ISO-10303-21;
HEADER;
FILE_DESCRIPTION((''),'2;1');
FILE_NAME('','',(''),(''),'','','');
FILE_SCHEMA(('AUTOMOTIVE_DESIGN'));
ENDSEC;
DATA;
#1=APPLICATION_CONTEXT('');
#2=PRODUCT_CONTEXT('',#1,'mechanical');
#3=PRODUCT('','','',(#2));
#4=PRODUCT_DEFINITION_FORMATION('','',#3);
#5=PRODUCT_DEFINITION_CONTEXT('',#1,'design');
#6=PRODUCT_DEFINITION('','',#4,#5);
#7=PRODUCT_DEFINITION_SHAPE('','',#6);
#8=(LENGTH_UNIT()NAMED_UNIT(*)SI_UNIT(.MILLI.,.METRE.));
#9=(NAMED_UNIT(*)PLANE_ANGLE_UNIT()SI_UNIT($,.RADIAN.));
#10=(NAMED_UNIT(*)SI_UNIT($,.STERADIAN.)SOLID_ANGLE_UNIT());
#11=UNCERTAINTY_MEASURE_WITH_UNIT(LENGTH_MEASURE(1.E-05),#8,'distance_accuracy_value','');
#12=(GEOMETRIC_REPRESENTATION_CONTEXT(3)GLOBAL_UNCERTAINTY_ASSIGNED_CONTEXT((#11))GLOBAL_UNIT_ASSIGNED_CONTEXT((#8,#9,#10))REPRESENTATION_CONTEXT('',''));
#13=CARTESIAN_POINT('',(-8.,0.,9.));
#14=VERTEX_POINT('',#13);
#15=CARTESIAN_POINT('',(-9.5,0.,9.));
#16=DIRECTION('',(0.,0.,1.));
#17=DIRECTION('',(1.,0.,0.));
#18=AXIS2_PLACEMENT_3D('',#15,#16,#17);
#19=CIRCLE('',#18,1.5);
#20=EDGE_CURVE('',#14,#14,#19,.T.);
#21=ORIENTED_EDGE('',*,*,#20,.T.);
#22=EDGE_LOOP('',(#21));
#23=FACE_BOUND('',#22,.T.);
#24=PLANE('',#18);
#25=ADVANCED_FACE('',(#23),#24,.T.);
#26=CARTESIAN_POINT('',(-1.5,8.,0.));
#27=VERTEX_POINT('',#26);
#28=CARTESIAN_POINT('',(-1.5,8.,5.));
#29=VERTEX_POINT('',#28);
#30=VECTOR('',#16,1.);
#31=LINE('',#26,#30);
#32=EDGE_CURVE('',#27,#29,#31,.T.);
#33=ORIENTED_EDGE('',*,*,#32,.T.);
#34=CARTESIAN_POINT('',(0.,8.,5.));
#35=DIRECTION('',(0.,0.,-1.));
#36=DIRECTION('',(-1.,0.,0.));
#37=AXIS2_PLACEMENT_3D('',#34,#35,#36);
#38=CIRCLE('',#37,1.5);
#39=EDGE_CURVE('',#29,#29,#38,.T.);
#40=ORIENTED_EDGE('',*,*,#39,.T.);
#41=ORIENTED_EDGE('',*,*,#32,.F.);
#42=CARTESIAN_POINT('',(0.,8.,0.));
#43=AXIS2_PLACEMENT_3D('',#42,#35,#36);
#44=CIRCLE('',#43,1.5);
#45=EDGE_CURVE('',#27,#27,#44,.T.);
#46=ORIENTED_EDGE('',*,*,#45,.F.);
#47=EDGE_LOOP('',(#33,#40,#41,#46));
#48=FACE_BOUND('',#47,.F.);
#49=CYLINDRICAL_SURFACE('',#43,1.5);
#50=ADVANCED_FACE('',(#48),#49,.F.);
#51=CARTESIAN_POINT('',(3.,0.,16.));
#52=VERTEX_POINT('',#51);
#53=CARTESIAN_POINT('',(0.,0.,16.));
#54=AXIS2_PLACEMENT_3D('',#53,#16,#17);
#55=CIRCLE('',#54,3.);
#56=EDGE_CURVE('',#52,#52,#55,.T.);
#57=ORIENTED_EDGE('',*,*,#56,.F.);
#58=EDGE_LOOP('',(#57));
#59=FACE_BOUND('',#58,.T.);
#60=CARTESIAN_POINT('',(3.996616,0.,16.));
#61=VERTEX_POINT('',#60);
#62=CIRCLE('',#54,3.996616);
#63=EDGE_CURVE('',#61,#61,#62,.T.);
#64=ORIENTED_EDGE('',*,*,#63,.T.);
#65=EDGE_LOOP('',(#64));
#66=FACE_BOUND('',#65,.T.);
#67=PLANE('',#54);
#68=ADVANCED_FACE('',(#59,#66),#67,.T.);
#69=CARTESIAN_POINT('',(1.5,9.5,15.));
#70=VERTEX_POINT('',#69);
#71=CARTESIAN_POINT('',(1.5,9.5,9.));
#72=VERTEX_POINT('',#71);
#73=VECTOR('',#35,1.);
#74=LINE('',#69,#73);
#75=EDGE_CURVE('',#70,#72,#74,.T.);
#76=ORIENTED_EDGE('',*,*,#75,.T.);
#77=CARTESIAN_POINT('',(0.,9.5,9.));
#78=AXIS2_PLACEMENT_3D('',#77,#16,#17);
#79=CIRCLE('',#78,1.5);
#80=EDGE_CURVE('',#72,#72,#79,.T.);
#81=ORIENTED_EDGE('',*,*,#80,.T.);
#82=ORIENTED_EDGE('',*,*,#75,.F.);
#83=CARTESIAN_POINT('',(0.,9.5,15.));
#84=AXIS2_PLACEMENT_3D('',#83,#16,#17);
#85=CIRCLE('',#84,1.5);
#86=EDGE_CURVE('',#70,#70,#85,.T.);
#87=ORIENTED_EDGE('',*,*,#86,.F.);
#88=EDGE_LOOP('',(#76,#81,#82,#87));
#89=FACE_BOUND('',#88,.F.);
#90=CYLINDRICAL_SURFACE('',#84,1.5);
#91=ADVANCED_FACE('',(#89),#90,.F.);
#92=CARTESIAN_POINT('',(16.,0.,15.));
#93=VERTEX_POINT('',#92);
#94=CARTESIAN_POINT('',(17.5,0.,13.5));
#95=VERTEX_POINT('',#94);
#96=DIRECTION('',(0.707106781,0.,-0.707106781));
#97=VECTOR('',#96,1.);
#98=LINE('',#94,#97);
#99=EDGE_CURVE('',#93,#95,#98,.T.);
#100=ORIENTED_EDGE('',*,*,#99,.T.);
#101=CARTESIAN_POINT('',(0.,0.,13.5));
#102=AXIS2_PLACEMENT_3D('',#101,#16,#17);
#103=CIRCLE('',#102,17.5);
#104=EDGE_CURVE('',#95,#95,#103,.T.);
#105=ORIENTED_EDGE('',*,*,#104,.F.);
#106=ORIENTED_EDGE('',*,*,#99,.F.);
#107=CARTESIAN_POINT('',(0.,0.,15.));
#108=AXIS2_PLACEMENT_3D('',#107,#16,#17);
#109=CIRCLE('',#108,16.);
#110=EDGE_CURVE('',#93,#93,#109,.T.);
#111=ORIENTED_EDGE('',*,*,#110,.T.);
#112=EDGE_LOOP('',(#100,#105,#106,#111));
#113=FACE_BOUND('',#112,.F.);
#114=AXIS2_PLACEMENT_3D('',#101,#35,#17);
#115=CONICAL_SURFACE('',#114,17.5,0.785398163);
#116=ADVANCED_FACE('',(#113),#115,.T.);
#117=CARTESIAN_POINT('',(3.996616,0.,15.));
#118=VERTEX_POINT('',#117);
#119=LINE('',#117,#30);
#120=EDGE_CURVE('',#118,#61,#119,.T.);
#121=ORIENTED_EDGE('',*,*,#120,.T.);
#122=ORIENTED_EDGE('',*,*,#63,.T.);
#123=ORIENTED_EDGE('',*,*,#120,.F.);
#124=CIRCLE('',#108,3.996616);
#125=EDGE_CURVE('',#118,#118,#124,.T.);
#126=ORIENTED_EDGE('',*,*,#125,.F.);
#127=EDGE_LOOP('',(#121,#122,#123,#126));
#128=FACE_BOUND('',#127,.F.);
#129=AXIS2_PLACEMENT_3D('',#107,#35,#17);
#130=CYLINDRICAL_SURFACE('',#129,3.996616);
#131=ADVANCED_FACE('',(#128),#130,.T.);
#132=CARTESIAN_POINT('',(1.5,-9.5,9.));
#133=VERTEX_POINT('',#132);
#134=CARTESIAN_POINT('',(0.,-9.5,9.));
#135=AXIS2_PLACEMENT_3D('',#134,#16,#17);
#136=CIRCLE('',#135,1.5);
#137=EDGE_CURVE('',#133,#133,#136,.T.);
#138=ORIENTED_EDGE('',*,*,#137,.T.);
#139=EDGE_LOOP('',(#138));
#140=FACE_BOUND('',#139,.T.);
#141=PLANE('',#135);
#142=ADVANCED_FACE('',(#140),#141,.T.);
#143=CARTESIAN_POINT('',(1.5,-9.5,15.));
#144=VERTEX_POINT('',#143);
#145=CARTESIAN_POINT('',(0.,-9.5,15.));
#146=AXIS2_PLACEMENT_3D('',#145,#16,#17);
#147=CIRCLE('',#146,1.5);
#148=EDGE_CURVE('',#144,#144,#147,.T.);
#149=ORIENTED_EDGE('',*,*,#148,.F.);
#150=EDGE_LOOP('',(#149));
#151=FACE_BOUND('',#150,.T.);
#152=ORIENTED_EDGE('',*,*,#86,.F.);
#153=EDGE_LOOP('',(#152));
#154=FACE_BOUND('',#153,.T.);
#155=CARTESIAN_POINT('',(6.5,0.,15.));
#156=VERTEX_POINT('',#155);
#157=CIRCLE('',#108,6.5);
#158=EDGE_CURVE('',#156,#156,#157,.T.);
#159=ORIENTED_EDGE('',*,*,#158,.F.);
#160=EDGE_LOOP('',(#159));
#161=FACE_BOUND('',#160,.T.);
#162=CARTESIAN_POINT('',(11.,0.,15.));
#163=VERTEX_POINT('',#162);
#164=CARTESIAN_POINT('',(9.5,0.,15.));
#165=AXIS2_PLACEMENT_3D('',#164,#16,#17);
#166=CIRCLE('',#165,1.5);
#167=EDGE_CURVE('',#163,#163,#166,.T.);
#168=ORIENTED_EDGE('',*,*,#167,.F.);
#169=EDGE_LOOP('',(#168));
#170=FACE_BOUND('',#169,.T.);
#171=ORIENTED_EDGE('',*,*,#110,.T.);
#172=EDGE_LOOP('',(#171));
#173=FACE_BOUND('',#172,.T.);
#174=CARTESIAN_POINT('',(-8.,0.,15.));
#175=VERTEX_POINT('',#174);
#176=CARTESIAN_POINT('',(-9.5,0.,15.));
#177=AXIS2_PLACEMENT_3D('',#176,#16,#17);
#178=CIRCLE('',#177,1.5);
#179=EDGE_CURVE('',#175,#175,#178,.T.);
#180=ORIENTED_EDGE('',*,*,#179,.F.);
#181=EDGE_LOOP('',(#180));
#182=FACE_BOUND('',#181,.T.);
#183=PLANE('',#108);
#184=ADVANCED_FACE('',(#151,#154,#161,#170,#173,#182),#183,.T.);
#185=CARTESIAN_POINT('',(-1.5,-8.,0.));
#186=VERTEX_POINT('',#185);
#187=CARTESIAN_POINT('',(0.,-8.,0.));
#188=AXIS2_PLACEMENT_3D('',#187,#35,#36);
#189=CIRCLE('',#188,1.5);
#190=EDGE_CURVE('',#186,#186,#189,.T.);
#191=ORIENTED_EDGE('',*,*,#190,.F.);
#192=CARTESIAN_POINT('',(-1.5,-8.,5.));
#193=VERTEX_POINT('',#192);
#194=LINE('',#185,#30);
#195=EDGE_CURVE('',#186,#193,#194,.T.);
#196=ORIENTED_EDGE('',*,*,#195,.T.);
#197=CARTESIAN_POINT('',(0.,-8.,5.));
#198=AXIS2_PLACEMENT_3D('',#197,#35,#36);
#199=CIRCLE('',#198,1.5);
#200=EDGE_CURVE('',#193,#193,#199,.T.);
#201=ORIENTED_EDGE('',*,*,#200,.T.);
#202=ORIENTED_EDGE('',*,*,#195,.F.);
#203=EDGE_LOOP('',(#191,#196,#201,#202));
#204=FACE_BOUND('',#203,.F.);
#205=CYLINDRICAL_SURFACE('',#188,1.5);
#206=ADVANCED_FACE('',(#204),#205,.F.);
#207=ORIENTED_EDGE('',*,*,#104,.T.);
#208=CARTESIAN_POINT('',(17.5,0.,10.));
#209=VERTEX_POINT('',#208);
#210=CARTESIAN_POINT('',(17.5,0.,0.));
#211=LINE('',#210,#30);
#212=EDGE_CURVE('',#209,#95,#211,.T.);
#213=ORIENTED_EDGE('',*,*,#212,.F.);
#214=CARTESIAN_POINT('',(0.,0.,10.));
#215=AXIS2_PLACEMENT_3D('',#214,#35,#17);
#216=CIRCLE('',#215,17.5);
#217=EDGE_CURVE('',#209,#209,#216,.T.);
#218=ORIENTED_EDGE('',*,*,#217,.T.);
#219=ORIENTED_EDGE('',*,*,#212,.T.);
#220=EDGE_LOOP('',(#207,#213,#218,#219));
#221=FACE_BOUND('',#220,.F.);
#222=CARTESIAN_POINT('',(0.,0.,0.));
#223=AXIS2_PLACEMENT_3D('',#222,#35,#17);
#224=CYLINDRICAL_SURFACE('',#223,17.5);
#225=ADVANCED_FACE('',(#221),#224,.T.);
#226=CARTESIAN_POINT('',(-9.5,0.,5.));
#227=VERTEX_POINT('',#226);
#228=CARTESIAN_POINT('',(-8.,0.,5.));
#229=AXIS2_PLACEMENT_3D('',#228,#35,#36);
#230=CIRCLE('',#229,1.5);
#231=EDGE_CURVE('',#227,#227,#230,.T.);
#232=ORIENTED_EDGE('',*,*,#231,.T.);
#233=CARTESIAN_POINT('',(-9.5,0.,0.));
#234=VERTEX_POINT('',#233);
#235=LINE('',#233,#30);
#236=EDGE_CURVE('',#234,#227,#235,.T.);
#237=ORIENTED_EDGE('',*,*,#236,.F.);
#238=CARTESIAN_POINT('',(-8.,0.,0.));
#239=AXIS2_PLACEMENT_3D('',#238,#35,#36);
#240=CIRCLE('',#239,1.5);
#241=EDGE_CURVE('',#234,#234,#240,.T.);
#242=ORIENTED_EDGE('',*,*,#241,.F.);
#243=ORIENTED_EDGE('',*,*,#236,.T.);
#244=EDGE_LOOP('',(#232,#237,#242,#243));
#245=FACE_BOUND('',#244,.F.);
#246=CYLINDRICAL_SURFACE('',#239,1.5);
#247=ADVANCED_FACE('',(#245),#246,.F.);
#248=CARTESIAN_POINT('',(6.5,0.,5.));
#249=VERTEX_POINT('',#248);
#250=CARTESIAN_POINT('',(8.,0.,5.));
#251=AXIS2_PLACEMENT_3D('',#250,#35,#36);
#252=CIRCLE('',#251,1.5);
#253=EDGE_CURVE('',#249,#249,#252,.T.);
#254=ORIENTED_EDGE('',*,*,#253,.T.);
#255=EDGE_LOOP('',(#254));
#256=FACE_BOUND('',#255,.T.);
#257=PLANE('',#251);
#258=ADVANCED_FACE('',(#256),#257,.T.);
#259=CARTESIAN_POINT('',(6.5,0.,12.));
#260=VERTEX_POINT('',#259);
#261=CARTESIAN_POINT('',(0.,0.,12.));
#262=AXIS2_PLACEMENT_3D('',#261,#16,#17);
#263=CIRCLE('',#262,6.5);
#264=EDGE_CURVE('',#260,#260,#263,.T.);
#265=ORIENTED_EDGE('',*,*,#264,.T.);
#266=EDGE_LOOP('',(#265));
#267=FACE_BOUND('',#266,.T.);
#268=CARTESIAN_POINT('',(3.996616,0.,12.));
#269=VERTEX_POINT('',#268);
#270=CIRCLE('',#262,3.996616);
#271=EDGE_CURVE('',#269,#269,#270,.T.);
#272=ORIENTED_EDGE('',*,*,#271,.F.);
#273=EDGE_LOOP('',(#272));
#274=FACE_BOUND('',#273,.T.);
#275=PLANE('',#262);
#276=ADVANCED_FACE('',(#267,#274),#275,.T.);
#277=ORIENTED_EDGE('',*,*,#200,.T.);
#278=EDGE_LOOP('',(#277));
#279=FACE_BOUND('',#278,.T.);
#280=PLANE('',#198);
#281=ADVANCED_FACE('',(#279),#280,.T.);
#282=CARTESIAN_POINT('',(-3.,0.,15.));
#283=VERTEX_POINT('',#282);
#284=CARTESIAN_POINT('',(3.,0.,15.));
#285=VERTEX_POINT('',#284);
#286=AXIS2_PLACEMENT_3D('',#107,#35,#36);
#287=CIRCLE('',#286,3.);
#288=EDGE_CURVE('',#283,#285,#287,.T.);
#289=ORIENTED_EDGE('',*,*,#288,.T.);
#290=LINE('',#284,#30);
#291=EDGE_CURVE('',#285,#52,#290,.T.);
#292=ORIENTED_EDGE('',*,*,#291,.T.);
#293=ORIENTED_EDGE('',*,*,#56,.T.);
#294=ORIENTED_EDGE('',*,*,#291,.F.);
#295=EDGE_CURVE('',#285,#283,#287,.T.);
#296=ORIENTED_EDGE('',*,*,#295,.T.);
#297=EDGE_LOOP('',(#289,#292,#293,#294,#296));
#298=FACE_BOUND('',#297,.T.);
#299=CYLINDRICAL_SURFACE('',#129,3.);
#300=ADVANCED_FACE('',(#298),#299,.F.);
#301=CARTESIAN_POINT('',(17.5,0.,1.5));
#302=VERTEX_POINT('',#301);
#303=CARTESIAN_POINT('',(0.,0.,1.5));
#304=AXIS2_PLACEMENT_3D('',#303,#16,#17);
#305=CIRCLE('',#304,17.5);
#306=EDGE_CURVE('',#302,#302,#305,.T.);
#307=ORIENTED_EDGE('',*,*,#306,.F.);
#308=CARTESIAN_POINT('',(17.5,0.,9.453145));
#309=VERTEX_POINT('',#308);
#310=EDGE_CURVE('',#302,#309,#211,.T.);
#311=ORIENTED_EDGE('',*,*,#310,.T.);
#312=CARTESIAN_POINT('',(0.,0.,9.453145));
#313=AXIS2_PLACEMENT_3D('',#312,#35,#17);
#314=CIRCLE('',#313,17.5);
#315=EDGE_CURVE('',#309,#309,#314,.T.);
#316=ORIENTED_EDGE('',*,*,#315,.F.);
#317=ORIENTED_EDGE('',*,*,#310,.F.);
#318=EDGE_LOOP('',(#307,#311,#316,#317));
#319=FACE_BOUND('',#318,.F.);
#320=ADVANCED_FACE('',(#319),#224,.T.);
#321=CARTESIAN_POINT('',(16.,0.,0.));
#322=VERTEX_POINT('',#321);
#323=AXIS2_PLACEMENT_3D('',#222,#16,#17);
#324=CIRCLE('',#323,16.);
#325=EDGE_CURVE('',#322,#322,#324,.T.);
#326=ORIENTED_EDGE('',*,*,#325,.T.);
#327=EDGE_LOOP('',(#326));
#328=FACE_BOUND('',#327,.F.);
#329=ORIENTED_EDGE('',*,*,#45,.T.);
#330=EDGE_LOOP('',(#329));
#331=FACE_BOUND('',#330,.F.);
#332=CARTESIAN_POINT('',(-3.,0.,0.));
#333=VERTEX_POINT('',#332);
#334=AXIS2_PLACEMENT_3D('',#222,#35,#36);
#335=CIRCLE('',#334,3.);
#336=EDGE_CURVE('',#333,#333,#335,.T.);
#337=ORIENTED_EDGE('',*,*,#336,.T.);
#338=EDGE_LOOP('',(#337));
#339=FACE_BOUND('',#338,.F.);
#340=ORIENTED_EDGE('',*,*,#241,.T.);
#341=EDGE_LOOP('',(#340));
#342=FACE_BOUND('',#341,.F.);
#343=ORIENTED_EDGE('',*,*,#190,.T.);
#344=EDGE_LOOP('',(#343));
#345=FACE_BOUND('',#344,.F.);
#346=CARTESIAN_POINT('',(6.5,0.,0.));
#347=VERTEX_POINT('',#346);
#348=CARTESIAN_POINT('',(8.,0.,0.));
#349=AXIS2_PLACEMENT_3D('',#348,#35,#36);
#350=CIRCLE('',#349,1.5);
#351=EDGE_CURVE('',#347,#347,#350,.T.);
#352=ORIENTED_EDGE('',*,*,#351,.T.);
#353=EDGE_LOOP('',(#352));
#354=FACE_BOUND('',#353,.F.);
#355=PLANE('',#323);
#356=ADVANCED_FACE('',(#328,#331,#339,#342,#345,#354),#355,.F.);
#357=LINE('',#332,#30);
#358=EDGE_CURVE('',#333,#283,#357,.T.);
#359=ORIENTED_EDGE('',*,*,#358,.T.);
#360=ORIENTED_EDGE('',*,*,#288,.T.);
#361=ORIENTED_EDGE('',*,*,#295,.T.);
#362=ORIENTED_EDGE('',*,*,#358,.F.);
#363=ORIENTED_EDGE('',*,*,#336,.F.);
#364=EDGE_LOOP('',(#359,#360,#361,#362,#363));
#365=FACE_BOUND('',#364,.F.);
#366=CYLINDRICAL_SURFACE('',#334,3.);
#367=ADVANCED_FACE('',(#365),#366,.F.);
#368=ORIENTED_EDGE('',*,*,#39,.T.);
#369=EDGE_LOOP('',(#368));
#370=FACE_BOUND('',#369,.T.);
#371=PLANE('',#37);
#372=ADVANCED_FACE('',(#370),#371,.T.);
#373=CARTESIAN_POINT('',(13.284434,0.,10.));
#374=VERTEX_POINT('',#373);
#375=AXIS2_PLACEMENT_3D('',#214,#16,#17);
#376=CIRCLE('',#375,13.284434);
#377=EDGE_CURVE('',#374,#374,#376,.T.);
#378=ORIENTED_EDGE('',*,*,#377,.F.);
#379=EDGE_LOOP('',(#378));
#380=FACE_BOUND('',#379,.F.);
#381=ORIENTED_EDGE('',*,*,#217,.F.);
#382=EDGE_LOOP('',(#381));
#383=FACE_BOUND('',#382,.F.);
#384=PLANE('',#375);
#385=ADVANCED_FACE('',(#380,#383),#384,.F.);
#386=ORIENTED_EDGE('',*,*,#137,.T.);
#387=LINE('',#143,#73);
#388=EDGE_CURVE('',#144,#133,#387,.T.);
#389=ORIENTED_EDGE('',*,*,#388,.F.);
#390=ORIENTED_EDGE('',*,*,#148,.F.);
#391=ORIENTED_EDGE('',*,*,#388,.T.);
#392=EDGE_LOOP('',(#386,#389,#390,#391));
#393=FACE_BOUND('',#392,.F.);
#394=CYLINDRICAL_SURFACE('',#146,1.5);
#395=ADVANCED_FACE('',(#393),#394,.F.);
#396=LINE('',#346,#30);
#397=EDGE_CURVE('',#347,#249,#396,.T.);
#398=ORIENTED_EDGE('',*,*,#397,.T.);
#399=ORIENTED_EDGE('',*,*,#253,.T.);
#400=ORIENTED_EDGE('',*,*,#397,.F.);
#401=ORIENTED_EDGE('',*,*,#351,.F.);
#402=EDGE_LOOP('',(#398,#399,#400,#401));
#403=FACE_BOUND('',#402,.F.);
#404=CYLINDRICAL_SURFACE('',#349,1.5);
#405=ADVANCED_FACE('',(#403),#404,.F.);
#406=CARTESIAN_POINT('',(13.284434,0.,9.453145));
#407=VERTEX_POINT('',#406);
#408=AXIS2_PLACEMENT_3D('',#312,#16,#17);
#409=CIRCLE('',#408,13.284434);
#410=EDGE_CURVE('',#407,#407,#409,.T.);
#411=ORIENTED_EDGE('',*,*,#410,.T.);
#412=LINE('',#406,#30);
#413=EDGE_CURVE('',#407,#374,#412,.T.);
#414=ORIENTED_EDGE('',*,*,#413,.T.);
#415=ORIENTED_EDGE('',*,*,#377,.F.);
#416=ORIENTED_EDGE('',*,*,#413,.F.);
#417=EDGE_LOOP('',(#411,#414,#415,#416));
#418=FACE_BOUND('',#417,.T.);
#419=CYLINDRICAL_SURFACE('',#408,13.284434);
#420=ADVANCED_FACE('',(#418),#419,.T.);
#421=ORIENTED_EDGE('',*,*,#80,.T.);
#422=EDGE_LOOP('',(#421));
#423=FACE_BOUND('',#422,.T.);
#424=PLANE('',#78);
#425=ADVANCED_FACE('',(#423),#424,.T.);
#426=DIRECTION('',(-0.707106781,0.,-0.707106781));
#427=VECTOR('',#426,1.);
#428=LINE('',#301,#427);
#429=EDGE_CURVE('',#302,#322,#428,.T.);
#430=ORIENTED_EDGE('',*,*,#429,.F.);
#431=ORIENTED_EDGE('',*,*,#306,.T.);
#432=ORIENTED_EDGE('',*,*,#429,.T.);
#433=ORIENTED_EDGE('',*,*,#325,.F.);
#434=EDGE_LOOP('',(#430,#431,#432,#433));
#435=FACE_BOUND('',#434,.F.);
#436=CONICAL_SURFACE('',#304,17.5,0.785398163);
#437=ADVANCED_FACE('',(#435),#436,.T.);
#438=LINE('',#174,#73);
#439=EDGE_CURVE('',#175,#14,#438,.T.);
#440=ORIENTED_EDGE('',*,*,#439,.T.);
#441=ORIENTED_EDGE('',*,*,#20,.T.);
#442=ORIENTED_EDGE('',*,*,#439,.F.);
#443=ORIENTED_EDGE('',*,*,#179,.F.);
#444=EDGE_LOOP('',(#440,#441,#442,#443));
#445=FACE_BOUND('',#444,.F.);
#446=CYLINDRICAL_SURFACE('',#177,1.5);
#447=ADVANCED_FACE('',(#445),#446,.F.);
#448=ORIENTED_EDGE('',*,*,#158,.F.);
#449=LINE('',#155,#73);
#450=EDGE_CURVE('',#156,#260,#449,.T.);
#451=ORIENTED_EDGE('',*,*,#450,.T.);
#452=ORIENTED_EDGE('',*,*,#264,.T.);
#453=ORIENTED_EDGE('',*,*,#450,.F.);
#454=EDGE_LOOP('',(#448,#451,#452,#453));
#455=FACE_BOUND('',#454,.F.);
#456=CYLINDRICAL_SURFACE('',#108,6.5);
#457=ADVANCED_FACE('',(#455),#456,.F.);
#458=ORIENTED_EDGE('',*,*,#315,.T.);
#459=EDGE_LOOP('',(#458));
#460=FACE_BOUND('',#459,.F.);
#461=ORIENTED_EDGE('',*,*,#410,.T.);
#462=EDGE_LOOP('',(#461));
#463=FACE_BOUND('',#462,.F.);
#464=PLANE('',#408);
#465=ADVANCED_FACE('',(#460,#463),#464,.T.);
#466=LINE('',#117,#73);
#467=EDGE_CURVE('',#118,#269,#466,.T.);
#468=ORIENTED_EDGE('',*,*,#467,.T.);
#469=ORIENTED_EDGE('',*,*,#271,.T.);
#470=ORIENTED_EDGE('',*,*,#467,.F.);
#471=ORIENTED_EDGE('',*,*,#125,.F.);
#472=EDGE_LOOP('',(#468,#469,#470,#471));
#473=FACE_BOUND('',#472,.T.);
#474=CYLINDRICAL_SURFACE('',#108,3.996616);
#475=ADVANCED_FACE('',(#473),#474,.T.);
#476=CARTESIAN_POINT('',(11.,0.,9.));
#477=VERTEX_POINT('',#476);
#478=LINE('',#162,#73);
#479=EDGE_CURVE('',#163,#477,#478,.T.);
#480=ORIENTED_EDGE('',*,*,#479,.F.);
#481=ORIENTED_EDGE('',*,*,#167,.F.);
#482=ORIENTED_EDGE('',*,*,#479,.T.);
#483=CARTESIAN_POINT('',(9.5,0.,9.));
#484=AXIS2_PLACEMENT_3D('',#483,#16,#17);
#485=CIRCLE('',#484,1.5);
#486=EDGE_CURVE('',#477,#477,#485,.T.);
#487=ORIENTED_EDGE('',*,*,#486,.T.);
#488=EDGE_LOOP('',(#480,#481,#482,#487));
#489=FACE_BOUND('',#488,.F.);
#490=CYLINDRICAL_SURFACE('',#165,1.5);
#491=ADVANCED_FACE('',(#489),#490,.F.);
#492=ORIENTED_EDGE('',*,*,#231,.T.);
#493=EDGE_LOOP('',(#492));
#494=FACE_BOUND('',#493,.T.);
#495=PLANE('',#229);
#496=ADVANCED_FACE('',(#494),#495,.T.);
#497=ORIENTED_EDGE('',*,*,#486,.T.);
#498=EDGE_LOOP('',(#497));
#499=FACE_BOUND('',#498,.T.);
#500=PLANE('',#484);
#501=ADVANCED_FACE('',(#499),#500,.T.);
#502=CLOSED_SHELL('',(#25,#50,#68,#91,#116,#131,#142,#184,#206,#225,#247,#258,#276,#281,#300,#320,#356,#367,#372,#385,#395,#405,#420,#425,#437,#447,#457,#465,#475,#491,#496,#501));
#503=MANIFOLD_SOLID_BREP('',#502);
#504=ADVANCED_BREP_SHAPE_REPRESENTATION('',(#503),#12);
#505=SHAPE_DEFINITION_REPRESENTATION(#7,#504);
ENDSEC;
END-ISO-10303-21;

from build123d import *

# Parameters (mm, degrees)
SKETCH_1_R          = 17.5
EXTRUDE_1_DEPTH     = 15
SKETCH_2_R          = 1.5
CUT_EXTRUDE_1_DEPTH = 5
SKETCH_4_R          = 3
CUT_EXTRUDE_2_DEPTH = 20
SKETCH_5_R          = 1.5
CUT_EXTRUDE_3_DEPTH = 6
CHAMFER_1_SIZE      = 1.5
SKETCH_6_R          = 6.5
SKETCH_6_R_2        = 3.996615851
CUT_EXTRUDE_4_DEPTH = 3
SKETCH_7_R          = 3.996615851
SKETCH_7_R_2        = 3
EXTRUDE_2_DEPTH     = 1


with BuildPart() as part:
    # 草图1 → 凸台-拉伸1 (new body)
    with BuildSketch(Plane.XY):
        Circle(SKETCH_1_R)
    extrude(amount=EXTRUDE_1_DEPTH)

    # 草图2 → 切除-拉伸1 (cut)
    with BuildSketch(Plane(origin=(0, 0, 0), x_dir=(-1, 0, 0), z_dir=(0, 0, -1))):
        with Locations((0, -8)):
            Circle(SKETCH_2_R)
        with Locations((-8, 0)):
            Circle(SKETCH_2_R)
        with Locations((0, 8)):
            Circle(SKETCH_2_R)
        with Locations((8, 0)):
            Circle(SKETCH_2_R)
    extrude(amount=-CUT_EXTRUDE_1_DEPTH, mode=Mode.SUBTRACT)

    # 草图3 → 切除-旋转1 (revolve, cut)
    with BuildSketch(Plane(origin=(0, 0, 0), x_dir=(1, 0, 0), z_dir=(0, 1, 0))):
        Polygon((13.284433797, -10), (13.284433797, -9.953144571), (13.284433797, -9.453144571), (17.969347124, -9.453144571), (17.969347124, -10), align=None)
    revolve(axis=Axis((0, 0, 0), (0, 0, 1)), mode=Mode.SUBTRACT)

    # 草图4 → 切除-拉伸2 (cut)
    with BuildSketch(Plane(origin=(0, 0, 0), x_dir=(-1, 0, 0), z_dir=(0, 0, -1))):
        Circle(SKETCH_4_R)
    extrude(amount=-CUT_EXTRUDE_2_DEPTH, mode=Mode.SUBTRACT)

    # 草图5 → 切除-拉伸3 (cut)
    with BuildSketch(Plane.XY.offset(15)):
        with Locations((0, -9.5)):
            Circle(SKETCH_5_R)
        with Locations((-9.5, 0)):
            Circle(SKETCH_5_R)
        with Locations((0, 9.5)):
            Circle(SKETCH_5_R)
        with Locations((9.5, 0)):
            Circle(SKETCH_5_R)
    extrude(amount=-CUT_EXTRUDE_3_DEPTH, mode=Mode.SUBTRACT)

    # 倒角1
    chamfer_1_edges = [part.edges().sort_by_distance(p)[0] for p in [
        (-17.5, 0, 0),
        (-17.5, 0, 15),
    ]]
    chamfer(chamfer_1_edges, length=CHAMFER_1_SIZE)

    # 草图6 → 切除-拉伸4 (cut)
    with BuildSketch(Plane.XY.offset(15)):
        Circle(SKETCH_6_R)
        Circle(SKETCH_6_R_2, mode=Mode.SUBTRACT)
    extrude(amount=-CUT_EXTRUDE_4_DEPTH, mode=Mode.SUBTRACT)

    # 草图7 → 凸台-拉伸2 (add)
    with BuildSketch(Plane.XY.offset(15)):
        Circle(SKETCH_7_R)
        Circle(SKETCH_7_R_2, mode=Mode.SUBTRACT)
    extrude(amount=EXTRUDE_2_DEPTH)


solid = part.part
